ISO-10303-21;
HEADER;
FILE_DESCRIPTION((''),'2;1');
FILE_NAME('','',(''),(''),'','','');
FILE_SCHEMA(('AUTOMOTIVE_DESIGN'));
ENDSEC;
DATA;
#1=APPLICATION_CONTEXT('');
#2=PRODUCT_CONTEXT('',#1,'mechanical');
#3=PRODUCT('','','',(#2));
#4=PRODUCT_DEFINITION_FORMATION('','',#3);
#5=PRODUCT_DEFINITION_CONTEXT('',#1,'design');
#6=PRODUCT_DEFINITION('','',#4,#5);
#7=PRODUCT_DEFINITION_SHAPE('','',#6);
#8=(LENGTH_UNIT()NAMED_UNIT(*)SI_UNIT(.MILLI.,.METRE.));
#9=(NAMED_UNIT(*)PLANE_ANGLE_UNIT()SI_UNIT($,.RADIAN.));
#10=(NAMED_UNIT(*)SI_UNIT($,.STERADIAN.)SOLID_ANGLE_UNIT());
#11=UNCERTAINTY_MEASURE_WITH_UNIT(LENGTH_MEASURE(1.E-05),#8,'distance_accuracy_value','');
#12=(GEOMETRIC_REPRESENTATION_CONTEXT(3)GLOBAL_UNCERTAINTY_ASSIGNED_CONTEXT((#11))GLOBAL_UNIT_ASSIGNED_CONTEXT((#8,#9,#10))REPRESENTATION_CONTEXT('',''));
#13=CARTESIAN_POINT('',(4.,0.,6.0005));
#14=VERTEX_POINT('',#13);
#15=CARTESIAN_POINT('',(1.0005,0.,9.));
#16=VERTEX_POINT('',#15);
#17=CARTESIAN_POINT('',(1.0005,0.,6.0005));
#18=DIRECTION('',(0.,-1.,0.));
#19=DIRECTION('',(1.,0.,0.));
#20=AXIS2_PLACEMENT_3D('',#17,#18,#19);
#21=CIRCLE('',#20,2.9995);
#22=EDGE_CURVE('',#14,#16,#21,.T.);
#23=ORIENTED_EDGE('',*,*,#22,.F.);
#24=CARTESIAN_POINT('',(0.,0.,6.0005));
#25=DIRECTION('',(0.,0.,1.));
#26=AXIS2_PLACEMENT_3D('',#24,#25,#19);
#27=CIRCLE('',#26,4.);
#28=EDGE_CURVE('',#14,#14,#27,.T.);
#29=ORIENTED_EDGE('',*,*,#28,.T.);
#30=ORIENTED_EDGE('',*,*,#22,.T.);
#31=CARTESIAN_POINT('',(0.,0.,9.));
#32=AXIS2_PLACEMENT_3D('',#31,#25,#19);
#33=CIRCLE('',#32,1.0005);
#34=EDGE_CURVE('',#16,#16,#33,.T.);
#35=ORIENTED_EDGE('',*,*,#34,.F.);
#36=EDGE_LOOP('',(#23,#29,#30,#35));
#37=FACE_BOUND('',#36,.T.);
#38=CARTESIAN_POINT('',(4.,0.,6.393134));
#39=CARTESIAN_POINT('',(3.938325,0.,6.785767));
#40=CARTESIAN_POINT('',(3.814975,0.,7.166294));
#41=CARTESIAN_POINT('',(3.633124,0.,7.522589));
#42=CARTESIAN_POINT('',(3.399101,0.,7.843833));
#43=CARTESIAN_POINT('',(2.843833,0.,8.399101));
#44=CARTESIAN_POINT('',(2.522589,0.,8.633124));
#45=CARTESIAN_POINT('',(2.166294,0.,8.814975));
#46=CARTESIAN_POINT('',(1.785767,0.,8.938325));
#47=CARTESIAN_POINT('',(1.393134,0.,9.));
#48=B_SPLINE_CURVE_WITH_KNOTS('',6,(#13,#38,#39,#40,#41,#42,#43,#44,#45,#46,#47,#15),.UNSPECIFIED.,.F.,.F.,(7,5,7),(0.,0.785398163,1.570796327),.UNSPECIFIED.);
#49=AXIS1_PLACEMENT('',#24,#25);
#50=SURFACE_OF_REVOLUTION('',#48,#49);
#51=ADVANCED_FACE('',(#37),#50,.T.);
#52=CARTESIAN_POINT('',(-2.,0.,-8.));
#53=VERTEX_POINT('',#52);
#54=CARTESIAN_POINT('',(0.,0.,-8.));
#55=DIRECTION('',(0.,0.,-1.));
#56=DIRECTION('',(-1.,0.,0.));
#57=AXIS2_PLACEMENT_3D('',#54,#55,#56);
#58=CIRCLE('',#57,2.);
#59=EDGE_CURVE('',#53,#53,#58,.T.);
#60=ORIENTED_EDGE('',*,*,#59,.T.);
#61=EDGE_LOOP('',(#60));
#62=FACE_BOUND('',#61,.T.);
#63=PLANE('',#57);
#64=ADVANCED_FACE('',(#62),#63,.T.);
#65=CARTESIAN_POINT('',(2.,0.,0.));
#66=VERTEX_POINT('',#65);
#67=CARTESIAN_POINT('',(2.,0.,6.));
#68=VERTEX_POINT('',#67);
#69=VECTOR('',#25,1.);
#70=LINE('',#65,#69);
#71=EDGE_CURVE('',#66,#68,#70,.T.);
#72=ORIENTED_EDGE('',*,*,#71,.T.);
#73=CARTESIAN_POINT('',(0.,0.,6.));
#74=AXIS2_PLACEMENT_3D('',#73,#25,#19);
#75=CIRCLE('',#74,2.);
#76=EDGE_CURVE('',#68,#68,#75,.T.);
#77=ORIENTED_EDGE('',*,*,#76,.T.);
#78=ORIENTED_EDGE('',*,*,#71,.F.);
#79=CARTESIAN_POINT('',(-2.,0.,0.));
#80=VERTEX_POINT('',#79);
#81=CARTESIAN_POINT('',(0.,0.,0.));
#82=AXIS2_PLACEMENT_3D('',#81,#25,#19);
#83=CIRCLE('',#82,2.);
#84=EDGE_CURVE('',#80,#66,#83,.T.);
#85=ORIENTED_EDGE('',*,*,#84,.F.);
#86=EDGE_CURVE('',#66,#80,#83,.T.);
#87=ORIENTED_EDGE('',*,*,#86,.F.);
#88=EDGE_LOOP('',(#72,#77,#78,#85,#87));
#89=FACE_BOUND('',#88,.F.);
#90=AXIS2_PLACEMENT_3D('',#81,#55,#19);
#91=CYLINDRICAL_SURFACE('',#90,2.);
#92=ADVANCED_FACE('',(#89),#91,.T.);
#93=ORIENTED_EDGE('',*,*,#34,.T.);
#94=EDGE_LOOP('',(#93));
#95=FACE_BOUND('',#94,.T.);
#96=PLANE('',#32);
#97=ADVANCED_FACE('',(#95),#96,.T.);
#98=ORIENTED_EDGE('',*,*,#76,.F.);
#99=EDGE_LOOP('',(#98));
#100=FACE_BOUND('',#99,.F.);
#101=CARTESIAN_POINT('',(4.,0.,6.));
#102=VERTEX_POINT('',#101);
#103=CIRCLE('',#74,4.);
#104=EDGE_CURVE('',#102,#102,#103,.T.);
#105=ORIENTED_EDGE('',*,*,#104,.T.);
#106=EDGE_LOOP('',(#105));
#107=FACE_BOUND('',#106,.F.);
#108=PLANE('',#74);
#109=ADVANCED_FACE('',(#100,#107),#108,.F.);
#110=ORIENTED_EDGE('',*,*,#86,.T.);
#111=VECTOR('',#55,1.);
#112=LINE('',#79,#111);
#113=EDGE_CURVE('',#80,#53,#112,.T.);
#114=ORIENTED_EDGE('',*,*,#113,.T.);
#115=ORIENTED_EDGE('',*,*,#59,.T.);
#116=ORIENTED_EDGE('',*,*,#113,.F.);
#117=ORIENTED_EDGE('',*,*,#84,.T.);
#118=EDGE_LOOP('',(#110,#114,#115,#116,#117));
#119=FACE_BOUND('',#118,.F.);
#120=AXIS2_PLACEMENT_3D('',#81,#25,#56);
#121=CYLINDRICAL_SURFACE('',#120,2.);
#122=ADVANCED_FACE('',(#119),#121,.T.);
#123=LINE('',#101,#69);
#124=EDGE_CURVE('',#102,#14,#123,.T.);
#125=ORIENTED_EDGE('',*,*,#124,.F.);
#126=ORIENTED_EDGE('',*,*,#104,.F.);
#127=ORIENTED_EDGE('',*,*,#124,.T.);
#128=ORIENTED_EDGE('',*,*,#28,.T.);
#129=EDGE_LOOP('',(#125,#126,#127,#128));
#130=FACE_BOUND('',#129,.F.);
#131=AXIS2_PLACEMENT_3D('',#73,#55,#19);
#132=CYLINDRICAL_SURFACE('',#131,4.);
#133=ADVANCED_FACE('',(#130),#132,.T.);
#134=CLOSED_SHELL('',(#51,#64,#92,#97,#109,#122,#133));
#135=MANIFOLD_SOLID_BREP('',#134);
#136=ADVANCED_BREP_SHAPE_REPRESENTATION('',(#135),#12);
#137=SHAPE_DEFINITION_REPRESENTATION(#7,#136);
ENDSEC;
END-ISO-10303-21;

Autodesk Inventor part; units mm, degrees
ref_plane "YZ Plane" through (0, 0, 0) normal (1, 0, 0) x (0, 1, 0)
ref_plane "XZ Plane" through (0, 0, 0) normal (0, 1, 0) x (-1, 0, 0)
ref_plane "XY Plane" through (0, 0, 0) normal (0, 0, 1) x (1, 0, 0)
sketch "スケッチ1" plane through (0, 0, 0) normal (0, 0, 1) x (1, 0, 0)
  circle A0 centre (0, 0) radius 2
  dimension "d0" = 4
extrude "押し出し1" add sketch "スケッチ1" along normal blind 6
sketch "スケッチ2" plane through (0, 0, 6) normal (0, 0, 1) x (1, 0, 0)
  circle A0 centre (0, 0) radius 2 projected
  circle A1 centre (0, 0) radius 4
  dimension "d3" = 8
extrude "押し出し2" add sketch "スケッチ2" along normal blind 3 contours A0 | A1
fillet "フィレット1" radius 3 1 edges at (-4, 0, 9)
thread "ねじ1" size "M4x0.7" class "6g" standard "ANSI Metric M Profile" full length
sketch "スケッチ3" plane through (0, 0, 0) normal (0, 0, -1) x (-1, 0, 0)
  circle A0 centre (0, 0) radius 2
extrude "押し出し3" add sketch "スケッチ3" along normal blind 8
properties part number "SB　M4 14mm なべネジ" material "Stainless Steel, 440C"
